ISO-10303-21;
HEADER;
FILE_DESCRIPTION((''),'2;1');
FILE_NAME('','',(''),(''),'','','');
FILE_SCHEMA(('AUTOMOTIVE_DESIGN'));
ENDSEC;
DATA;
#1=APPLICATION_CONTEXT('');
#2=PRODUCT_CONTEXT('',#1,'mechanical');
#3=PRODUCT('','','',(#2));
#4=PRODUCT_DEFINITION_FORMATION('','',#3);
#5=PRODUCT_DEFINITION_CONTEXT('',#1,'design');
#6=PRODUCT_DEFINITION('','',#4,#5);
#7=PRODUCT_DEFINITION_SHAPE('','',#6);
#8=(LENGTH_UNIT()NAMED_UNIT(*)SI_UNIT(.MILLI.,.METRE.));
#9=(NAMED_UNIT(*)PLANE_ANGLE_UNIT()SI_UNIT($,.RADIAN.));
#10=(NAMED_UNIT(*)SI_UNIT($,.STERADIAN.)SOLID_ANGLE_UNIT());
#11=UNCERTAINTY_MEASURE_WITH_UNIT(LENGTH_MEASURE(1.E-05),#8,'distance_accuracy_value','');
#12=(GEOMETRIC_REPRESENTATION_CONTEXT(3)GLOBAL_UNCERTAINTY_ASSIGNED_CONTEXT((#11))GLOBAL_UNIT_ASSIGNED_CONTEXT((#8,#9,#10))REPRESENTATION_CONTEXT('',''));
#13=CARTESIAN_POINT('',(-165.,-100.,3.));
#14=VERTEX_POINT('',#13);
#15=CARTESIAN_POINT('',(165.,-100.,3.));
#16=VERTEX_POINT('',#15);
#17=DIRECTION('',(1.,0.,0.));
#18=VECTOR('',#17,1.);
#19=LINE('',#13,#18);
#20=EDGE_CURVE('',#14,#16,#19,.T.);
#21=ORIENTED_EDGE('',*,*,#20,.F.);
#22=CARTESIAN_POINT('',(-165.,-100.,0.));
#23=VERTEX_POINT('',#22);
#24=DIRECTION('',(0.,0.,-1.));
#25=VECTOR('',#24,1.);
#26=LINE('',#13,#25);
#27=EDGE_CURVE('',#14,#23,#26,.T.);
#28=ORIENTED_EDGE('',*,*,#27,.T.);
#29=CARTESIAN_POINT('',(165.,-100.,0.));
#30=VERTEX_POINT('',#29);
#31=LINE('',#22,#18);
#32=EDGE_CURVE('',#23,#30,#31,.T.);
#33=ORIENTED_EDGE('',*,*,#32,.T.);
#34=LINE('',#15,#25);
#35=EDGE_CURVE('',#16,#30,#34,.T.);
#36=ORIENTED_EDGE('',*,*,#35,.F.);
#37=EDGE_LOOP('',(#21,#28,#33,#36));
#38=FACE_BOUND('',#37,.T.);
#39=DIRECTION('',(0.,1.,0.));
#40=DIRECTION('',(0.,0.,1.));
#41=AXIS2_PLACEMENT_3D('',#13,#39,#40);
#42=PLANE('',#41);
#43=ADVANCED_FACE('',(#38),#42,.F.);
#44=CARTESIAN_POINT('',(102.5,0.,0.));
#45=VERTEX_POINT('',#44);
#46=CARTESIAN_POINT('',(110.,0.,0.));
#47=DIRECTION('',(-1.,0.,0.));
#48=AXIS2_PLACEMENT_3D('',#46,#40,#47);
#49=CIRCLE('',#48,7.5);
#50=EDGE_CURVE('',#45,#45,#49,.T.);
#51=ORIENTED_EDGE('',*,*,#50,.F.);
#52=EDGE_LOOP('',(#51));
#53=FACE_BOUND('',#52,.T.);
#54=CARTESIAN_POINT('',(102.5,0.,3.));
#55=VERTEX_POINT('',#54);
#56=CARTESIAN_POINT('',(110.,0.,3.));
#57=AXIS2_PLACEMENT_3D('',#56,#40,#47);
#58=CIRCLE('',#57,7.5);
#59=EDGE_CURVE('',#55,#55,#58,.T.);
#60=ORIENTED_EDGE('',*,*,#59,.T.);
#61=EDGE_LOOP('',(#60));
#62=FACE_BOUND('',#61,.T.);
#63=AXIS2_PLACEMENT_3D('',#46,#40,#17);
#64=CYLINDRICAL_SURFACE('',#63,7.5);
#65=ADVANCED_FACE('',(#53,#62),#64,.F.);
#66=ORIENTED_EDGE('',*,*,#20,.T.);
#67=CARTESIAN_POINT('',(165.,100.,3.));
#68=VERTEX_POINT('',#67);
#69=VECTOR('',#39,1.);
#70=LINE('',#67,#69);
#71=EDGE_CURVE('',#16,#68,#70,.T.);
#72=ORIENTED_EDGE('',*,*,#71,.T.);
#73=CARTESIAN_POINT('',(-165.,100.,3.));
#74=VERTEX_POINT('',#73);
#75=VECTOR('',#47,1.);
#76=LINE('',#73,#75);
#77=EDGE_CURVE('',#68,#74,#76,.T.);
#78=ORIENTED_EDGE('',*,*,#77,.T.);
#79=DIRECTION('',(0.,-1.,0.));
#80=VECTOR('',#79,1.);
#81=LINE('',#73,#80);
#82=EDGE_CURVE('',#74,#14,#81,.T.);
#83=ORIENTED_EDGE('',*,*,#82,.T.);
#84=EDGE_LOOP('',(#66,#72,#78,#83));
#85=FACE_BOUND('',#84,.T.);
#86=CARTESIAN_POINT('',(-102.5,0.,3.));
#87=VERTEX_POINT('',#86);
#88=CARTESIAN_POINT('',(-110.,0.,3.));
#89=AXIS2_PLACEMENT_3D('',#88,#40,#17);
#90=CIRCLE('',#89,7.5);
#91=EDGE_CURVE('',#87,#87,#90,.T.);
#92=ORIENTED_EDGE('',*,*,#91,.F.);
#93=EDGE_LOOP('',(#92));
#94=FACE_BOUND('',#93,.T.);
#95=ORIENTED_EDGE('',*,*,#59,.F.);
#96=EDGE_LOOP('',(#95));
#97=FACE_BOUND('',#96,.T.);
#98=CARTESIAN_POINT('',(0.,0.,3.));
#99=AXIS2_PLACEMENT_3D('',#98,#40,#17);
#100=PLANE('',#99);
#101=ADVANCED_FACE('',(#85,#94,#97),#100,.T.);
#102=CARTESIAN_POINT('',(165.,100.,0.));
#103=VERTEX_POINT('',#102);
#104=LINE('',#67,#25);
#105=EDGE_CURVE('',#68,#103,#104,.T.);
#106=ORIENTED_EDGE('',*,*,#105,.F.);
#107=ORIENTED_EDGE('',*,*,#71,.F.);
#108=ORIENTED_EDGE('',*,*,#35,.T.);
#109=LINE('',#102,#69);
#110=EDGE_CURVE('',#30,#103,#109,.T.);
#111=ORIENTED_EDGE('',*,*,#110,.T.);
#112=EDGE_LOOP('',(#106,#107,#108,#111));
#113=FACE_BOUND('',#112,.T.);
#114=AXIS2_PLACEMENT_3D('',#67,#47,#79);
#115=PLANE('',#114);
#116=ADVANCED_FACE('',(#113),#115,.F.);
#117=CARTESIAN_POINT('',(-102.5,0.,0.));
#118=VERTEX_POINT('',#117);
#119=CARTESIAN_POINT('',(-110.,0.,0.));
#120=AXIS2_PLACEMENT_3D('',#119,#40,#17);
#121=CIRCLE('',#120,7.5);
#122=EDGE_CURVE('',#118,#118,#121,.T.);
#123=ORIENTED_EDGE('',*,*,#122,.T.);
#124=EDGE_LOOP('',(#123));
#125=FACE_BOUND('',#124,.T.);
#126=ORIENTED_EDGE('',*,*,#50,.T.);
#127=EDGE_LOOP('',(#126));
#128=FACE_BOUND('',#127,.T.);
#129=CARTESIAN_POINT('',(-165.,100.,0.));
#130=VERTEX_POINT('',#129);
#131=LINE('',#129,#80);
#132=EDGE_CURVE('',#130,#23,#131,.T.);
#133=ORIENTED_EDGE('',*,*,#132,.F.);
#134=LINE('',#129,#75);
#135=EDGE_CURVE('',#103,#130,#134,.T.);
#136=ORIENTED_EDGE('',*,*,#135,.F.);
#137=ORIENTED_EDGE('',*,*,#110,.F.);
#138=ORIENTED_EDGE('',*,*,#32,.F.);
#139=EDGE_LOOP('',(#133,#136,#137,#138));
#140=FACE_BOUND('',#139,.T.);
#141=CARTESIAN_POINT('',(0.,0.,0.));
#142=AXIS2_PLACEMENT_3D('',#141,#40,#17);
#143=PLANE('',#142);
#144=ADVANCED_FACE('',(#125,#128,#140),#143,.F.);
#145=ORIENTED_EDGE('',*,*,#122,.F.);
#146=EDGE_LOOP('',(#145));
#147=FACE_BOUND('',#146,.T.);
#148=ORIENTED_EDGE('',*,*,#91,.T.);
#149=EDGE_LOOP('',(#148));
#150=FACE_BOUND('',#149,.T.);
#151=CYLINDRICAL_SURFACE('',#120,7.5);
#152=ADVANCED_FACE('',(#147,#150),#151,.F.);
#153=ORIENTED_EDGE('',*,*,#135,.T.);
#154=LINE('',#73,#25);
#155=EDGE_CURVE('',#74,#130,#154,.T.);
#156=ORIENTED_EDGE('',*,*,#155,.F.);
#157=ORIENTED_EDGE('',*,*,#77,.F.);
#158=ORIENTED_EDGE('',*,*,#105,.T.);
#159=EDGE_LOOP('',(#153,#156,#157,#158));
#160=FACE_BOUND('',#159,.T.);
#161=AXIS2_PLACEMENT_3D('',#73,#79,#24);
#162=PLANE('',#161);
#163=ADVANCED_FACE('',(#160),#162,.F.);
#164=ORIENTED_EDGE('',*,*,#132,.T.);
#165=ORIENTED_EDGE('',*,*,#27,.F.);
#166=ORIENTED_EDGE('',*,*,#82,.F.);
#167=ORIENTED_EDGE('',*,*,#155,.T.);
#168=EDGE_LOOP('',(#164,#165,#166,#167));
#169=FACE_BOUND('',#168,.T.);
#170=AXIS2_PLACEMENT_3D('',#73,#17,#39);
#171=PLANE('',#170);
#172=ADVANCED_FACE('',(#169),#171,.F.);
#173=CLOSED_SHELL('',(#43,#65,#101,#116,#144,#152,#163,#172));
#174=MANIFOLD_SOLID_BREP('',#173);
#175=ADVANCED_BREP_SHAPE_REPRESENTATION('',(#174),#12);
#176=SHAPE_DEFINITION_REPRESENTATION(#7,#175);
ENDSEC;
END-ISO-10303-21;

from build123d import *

# Parameters (mm, degrees)
CROQUIS1_W              = 330
CROQUIS1_H              = 200
SALIENTE_EXTRUIR1_DEPTH = 3
CROQUIS2_R              = 7.5
CORTAR_EXTRUIR1_DEPTH   = 193.961135983


with BuildPart() as part:
    # Croquis1 → Saliente-Extruir1 (new body)
    with BuildSketch(Plane.XY):
        Rectangle(CROQUIS1_W, CROQUIS1_H)
    extrude(amount=SALIENTE_EXTRUIR1_DEPTH)

    # Croquis2 → Cortar-Extruir1 (cut, through all)
    with BuildSketch(Plane.XY.offset(3)):
        with Locations((-110, 0)):
            Circle(CROQUIS2_R)
        with Locations(Location((110, 0, 0), (0, 0, 180))):
            Circle(CROQUIS2_R)
    extrude(amount=-CORTAR_EXTRUIR1_DEPTH, mode=Mode.SUBTRACT)


solid = part.part
